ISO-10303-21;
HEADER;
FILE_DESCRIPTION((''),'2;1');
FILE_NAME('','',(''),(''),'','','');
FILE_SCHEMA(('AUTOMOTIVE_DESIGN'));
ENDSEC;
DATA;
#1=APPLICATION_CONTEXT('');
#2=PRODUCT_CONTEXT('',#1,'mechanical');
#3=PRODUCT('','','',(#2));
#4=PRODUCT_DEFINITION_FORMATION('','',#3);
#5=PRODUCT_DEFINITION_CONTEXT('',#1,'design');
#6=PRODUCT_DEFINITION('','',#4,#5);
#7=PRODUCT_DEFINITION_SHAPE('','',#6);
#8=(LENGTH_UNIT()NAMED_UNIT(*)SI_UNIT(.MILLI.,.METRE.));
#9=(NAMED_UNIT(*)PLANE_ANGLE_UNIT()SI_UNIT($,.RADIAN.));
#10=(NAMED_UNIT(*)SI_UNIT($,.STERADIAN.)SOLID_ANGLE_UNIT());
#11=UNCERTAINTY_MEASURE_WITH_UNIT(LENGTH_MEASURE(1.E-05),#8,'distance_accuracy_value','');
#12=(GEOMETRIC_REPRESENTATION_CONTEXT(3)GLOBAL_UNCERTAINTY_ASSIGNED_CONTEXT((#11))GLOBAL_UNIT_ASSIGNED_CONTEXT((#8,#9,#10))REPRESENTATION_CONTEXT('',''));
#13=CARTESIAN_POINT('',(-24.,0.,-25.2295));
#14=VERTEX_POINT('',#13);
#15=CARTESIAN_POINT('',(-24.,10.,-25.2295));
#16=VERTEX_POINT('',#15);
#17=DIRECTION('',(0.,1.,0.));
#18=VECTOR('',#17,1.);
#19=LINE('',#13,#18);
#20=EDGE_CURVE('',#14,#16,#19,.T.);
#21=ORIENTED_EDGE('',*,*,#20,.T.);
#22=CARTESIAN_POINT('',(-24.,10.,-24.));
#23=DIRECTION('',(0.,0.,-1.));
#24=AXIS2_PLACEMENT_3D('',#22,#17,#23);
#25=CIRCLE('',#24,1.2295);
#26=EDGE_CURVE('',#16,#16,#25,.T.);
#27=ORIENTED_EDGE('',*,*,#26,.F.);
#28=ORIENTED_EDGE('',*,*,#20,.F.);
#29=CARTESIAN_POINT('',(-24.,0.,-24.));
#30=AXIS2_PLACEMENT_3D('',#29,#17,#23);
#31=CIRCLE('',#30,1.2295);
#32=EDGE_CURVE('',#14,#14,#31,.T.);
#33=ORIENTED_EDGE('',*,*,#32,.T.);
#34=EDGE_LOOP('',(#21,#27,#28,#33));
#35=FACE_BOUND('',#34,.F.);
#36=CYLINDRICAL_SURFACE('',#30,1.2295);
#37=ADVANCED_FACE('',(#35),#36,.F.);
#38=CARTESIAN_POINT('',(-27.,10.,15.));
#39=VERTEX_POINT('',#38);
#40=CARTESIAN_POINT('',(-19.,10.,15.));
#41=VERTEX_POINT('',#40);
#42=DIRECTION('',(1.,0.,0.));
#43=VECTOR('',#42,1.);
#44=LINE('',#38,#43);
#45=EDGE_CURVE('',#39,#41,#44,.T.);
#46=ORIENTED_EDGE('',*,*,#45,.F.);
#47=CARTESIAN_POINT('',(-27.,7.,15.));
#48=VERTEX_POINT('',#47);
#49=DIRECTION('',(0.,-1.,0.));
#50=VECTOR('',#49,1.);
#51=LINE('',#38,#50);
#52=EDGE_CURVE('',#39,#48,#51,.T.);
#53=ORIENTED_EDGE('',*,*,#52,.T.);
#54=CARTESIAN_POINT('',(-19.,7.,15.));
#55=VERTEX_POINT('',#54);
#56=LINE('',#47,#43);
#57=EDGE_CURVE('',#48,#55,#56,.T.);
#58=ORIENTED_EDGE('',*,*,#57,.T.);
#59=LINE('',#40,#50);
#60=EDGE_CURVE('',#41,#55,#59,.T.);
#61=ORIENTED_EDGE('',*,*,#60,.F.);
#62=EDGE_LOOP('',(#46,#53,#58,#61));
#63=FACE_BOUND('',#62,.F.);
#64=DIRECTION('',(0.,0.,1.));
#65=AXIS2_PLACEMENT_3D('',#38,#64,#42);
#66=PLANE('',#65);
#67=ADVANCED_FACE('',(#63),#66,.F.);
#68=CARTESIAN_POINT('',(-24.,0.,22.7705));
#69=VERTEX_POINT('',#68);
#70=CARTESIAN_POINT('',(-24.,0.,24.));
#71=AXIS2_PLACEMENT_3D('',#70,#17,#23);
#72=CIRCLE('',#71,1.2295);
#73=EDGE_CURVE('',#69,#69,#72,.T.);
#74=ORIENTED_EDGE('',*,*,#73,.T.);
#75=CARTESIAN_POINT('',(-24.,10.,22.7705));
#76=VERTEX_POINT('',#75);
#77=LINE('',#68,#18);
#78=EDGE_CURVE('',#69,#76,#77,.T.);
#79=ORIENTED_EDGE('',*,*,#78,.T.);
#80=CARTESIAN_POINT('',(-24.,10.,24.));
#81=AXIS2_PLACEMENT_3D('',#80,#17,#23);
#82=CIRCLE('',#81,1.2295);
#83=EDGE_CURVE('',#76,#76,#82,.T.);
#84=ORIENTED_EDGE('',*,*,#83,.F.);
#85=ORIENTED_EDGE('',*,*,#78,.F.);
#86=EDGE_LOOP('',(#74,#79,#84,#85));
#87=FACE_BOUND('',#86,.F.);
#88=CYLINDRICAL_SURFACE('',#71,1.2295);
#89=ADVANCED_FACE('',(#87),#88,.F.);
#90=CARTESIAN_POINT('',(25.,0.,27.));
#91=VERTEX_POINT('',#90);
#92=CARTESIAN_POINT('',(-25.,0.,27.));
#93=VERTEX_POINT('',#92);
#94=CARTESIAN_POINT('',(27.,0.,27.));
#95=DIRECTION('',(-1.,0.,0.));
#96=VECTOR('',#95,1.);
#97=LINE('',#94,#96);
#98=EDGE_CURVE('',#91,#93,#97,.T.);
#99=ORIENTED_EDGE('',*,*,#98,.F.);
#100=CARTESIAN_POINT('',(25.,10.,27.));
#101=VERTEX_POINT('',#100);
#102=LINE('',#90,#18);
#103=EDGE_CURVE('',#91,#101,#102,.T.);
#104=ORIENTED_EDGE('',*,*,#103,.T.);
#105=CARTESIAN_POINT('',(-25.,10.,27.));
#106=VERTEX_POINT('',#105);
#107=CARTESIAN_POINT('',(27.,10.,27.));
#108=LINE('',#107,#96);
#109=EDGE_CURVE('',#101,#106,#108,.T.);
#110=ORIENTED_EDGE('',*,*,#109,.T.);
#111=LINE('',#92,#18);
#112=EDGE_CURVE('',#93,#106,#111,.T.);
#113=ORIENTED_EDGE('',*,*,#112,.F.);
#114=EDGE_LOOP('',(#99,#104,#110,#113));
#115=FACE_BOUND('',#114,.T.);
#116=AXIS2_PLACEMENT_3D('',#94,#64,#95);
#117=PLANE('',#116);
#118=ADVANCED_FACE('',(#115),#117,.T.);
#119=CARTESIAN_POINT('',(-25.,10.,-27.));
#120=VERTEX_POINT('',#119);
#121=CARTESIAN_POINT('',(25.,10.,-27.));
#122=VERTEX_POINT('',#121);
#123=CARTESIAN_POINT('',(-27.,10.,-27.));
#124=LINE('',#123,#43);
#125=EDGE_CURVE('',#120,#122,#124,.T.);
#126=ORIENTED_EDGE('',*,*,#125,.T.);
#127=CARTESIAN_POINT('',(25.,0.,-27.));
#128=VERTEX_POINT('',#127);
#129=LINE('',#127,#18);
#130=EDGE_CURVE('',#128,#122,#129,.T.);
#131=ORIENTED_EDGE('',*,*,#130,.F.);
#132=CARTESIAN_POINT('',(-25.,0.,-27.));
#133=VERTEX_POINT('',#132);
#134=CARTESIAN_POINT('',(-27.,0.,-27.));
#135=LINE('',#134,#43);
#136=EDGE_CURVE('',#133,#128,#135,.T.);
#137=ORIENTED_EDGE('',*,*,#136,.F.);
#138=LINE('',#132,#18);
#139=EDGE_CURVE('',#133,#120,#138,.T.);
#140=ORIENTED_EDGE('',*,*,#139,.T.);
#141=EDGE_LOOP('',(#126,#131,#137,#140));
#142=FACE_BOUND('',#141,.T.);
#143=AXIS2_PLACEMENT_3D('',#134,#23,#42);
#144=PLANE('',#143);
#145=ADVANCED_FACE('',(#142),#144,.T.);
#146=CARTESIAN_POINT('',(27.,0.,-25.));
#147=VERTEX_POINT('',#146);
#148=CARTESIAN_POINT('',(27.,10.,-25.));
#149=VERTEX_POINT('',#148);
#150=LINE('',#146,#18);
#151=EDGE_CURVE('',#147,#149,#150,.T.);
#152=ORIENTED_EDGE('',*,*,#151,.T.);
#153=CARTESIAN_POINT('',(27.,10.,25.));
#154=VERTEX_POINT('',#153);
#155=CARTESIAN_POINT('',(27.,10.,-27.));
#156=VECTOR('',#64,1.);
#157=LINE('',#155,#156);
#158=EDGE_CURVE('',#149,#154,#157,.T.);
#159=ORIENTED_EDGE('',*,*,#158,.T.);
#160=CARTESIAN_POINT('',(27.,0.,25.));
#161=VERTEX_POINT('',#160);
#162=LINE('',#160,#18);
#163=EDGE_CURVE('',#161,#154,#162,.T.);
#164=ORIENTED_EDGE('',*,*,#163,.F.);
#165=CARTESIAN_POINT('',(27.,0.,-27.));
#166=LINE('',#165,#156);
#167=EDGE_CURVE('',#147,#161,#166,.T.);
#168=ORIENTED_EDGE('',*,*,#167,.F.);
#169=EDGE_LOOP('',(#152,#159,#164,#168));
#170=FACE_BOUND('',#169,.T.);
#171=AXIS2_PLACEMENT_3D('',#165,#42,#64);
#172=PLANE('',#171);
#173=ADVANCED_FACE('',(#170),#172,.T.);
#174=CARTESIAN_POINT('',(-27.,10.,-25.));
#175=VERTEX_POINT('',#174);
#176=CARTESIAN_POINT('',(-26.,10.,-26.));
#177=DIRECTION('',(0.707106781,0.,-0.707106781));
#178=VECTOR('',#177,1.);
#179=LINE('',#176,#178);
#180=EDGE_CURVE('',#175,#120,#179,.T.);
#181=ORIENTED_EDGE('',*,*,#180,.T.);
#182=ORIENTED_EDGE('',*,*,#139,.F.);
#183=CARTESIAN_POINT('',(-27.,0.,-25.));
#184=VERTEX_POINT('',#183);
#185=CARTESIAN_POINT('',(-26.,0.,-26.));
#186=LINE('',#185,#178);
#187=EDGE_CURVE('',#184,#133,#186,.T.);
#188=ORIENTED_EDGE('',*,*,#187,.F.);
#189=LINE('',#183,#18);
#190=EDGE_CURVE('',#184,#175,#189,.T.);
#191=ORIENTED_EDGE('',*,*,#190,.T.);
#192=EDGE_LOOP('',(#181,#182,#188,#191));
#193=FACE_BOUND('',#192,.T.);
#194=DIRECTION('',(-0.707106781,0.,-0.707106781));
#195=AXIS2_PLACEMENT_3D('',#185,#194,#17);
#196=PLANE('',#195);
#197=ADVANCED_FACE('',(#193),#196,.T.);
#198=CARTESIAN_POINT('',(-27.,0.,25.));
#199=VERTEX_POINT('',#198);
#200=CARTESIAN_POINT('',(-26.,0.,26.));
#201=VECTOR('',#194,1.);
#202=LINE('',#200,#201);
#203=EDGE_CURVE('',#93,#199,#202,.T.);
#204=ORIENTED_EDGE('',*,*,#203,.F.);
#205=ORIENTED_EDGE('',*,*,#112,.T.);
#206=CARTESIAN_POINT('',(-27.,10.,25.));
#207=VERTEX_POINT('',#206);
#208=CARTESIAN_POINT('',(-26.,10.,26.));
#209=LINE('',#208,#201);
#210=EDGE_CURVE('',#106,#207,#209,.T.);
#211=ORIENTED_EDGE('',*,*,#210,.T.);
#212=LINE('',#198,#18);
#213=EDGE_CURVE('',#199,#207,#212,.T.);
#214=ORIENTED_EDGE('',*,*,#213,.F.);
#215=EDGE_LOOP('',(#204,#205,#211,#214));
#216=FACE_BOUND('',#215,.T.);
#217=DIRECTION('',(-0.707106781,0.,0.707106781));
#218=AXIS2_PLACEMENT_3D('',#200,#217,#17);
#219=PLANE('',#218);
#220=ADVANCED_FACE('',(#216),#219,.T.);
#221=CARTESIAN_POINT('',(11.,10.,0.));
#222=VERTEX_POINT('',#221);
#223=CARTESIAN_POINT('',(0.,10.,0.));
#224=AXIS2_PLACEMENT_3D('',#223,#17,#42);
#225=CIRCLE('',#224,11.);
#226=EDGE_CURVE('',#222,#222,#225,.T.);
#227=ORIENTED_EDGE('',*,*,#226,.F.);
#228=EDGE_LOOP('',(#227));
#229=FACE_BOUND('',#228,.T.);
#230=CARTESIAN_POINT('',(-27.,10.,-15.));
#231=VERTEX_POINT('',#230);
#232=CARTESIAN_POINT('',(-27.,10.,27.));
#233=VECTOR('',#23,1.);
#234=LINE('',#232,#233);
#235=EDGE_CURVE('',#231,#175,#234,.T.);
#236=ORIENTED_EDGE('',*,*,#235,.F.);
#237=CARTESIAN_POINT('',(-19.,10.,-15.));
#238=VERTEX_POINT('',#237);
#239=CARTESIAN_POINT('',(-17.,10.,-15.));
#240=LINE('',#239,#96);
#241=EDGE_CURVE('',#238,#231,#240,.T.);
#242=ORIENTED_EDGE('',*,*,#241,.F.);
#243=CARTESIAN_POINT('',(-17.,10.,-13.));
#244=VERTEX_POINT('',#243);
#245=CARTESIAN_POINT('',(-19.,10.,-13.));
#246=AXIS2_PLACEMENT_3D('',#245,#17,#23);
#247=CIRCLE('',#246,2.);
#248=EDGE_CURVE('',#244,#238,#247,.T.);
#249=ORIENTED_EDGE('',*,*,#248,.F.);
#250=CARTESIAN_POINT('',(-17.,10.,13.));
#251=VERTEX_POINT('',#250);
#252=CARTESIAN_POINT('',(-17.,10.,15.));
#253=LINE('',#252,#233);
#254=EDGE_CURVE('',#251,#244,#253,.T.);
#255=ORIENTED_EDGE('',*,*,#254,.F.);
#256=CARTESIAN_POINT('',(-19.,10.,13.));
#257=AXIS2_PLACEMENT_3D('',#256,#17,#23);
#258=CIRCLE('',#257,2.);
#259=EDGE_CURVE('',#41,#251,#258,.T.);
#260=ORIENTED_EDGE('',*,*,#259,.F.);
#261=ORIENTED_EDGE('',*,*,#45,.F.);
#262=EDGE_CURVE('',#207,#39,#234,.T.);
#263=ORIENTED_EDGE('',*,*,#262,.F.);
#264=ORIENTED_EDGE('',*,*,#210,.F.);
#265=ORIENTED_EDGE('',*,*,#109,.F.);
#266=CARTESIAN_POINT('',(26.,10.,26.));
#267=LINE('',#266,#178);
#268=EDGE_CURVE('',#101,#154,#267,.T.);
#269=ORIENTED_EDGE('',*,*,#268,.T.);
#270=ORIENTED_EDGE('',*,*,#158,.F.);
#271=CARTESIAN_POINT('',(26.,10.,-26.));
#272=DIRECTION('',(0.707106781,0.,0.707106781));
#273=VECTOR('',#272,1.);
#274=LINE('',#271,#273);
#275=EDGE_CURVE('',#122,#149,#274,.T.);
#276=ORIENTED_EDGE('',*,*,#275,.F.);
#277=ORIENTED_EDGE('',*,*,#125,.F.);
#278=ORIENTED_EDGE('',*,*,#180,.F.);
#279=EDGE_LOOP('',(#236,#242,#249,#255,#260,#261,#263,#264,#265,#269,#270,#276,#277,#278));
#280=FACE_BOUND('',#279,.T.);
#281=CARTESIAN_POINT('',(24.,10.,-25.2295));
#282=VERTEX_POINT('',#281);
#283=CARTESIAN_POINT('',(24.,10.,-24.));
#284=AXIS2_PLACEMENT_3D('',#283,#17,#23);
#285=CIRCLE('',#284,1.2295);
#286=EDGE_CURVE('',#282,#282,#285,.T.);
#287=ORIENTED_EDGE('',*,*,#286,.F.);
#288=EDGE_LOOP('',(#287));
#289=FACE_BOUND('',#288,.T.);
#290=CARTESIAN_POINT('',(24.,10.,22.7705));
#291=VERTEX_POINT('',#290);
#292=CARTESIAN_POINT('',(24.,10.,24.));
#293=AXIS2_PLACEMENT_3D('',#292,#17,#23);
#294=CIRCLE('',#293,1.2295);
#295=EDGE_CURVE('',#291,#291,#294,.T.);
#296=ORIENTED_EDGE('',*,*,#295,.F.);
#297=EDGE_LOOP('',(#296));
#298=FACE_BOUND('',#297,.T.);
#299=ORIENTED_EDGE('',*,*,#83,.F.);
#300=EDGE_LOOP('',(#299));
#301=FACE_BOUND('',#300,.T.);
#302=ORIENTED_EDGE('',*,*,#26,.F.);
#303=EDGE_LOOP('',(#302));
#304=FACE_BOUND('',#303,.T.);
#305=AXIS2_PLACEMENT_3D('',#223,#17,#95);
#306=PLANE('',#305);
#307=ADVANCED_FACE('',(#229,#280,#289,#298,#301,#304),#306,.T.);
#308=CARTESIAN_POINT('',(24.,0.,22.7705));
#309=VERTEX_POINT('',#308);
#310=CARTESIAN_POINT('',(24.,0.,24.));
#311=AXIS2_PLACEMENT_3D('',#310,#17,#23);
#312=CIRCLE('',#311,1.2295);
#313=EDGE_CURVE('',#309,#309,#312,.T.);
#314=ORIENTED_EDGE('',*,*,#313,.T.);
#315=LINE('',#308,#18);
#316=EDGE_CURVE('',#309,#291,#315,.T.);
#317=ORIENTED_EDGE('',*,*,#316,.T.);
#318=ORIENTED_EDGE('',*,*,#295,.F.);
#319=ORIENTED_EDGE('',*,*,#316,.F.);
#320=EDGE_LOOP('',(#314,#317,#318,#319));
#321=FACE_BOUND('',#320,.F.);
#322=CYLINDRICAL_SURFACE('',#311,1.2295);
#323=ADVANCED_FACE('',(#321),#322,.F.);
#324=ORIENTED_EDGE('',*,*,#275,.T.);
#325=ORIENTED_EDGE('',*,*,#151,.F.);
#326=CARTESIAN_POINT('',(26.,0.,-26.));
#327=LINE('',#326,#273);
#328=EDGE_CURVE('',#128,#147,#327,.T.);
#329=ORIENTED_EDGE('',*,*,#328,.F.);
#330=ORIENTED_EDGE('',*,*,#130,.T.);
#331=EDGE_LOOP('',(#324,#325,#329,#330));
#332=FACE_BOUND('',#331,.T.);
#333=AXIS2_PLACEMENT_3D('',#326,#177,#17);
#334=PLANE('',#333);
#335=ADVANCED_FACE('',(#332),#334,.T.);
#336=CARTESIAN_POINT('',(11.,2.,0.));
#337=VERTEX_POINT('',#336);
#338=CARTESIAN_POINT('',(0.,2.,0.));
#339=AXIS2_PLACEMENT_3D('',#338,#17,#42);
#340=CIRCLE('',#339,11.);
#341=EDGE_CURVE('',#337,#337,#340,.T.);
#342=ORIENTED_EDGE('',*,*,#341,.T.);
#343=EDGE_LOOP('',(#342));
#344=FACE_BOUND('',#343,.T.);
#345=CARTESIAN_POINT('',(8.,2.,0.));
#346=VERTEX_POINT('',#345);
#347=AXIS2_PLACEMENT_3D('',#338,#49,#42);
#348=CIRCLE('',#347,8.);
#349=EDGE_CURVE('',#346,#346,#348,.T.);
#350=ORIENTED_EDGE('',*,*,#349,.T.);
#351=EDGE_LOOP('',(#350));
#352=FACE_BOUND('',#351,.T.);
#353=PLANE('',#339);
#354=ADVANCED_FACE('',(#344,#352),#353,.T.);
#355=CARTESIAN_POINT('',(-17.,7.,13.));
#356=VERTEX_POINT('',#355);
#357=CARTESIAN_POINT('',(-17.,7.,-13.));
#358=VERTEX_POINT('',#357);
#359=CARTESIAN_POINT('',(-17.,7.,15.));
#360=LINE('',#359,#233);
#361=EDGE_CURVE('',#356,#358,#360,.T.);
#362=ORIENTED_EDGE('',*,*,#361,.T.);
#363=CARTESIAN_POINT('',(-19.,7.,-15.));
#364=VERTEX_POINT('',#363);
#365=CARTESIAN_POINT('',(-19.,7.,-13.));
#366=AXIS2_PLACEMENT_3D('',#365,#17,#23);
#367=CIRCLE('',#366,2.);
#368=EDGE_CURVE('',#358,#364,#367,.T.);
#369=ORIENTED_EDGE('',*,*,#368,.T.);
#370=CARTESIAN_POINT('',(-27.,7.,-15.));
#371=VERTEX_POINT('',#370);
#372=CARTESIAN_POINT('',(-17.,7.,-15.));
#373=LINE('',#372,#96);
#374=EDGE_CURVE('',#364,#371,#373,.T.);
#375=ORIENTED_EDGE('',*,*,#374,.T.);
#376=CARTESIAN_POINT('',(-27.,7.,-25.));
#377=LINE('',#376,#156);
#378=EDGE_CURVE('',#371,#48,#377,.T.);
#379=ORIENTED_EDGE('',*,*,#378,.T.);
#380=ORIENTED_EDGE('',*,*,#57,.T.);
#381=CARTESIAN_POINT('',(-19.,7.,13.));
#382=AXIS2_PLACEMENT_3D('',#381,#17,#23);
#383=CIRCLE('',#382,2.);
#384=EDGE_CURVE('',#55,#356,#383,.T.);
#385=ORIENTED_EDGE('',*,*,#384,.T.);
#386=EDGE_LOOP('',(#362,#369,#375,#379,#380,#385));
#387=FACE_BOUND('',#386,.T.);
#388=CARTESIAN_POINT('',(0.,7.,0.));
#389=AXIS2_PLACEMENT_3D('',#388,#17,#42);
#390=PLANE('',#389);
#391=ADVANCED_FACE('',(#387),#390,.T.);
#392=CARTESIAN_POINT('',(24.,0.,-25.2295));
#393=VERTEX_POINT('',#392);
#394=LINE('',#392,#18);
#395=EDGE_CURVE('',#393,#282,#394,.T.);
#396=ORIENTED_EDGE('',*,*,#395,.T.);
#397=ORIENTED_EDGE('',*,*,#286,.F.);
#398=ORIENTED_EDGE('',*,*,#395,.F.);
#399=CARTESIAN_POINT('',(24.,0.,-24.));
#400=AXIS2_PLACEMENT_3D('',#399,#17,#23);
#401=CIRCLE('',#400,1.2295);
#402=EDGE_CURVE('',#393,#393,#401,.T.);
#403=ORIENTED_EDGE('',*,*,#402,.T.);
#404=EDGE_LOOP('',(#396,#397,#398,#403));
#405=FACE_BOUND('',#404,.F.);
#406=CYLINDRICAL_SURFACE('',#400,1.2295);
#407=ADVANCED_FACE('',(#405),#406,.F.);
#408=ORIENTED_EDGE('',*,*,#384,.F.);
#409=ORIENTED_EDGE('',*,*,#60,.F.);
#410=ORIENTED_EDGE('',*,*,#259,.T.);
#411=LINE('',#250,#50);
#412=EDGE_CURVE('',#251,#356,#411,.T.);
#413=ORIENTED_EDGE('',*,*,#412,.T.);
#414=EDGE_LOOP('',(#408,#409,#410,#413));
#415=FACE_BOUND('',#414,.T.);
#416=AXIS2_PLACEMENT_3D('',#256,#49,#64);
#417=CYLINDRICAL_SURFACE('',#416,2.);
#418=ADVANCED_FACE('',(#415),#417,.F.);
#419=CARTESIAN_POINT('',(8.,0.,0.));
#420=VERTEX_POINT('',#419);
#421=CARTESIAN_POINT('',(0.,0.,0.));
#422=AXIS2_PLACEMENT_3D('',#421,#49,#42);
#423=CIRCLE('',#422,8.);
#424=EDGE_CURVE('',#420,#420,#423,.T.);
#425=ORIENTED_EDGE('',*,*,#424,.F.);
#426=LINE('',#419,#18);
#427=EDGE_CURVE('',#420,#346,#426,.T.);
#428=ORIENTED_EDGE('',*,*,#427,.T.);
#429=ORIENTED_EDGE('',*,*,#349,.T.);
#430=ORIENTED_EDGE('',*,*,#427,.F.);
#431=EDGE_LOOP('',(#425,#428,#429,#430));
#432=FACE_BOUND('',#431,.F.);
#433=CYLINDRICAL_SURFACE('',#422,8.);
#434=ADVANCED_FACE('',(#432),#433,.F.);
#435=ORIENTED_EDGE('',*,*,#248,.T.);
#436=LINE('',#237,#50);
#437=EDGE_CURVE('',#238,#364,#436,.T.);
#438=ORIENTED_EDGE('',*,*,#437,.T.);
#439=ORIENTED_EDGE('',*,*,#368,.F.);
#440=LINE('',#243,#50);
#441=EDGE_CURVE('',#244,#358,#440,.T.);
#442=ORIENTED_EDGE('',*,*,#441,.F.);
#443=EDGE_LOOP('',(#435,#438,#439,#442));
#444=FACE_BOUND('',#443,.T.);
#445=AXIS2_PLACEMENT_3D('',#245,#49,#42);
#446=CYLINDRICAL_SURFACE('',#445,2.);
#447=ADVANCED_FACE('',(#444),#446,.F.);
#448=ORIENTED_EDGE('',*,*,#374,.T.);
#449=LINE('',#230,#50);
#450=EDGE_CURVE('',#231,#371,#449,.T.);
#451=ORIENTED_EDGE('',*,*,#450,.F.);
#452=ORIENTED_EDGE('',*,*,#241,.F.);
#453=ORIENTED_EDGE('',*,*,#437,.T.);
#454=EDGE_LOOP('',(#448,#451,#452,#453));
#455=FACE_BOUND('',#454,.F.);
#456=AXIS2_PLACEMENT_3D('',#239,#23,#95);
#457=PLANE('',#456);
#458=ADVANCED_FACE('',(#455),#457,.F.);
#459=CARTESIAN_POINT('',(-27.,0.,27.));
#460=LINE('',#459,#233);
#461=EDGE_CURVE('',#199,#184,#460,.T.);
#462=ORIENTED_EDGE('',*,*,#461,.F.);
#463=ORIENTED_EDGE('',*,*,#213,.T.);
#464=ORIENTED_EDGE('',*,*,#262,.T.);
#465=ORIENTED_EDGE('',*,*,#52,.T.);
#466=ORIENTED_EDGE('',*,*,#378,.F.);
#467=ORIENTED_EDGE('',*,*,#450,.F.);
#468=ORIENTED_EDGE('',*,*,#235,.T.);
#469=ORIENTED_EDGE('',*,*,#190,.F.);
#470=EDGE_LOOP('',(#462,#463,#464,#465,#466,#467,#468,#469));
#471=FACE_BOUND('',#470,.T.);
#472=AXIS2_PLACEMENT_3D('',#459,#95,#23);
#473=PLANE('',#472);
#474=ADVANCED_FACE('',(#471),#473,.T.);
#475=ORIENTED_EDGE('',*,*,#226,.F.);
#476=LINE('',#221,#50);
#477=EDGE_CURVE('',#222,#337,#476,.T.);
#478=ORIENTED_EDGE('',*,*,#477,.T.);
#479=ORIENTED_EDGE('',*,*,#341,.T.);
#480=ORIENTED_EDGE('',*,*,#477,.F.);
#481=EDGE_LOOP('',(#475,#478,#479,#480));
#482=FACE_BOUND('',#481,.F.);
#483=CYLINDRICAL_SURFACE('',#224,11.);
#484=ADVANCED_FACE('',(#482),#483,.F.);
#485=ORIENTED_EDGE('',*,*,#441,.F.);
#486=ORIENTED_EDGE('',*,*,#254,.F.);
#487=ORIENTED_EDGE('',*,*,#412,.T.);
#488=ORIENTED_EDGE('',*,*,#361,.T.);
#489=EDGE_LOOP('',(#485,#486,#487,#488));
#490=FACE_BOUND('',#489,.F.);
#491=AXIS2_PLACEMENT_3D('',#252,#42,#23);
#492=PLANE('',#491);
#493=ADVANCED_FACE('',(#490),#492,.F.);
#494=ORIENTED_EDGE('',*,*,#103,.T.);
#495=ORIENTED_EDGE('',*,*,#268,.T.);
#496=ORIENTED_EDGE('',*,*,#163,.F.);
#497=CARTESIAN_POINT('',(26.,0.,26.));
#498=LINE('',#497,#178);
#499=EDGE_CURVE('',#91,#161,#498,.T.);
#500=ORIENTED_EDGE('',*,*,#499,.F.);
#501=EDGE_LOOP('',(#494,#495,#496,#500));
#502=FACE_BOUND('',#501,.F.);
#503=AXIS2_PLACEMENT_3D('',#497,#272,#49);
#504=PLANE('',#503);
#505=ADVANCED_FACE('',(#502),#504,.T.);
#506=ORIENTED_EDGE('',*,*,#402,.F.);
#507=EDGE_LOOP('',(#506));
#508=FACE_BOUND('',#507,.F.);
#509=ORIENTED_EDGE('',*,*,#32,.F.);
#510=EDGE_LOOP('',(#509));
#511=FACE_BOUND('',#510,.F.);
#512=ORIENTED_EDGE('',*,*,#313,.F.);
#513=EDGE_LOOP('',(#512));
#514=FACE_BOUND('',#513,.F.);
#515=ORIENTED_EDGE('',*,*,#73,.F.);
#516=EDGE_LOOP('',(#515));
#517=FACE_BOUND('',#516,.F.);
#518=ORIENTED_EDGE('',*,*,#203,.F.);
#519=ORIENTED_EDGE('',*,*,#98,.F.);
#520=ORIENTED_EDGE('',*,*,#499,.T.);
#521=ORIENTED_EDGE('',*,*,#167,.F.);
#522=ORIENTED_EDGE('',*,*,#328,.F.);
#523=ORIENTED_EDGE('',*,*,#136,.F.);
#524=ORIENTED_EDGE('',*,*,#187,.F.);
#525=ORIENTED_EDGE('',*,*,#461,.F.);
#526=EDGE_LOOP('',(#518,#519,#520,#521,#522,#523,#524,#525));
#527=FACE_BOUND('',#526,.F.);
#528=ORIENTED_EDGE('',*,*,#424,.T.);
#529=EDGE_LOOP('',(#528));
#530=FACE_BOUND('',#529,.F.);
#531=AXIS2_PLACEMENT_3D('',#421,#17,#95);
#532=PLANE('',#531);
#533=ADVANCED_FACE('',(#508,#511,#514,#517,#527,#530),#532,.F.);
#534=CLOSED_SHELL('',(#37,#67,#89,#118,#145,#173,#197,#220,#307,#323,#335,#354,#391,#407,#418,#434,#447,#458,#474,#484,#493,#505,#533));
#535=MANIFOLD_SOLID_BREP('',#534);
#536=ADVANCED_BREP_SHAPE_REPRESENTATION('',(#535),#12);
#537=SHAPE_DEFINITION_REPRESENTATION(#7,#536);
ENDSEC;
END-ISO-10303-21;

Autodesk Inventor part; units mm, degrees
ref_plane "YZ Plane" through (0, 0, 0) normal (1, 0, 0) x (0, 1, 0)
ref_plane "XZ Plane" through (0, 0, 0) normal (0, 1, 0) x (-1, 0, 0)
ref_plane "XY Plane" through (0, 0, 0) normal (0, 0, 1) x (1, 0, 0)
sketch "Skizze1" plane through (0, 0, 0) normal (0, 1, 0) x (-1, 0, 0)
  line L0 (-27, 27) -> (27, 27)
  line L1 (27, 27) -> (27, -27)
  line L2 (27, -27) -> (-27, -27)
  line L3 (-27, -27) -> (-27, 27)
  line L4 (-27, 27) -> (27, -27) construction
  line L5 (27, 27) -> (-27, -27) construction
  point P0 (0, 0)
  dimension "d0" = 54
  dimension "d1" = 54
extrude "Extrusion1" add sketch "Skizze1" along normal blind 10
chamfer "Fase1" distance 2 angle 45 4 edges at (27, 5, 27) (27, 5, -27) (-27, 5, 27) (-27, 5, -27)
sketch "Skizze2" plane through (0, 10, 0) normal (0, 1, 0) x (1, 0, 0)
  circle A0 centre (0, 0) radius 11
  dimension "d7" = 22
extrude "Extrusion2" cut sketch "Skizze2" against normal blind 8
sketch "Skizze5" plane through (0, 0, 0) normal (0, -1, 0) x (1, 0, 0)
  line L0 (-24, -24) -> (24, -24)
  line L1 (24, -24) -> (24, 24)
  line L2 (24, 24) -> (-24, 24)
  line L3 (-24, 24) -> (-24, -24)
  line L4 (-24, -24) -> (24, 24) construction
  line L5 (24, -24) -> (-24, 24) construction
  point P0 (0, 0)
  dimension "d22" = 48
  dimension "d23" = 48
hole "Bohrung2" at (-24, 0, -24) at (-24, 0, 24) at (24, 0, 24) at (24, 0, -24) direction (0, 1, 0) diameter 2.459 end through all
sketch "Skizze6" plane through (0, 0, 0) normal (0, -1, 0) x (1, 0, 0)
  circle A0 centre (0, 0) radius 8
  dimension "d31" = 16
extrude "Extrusion4" cut sketch "Skizze6" against normal through all
sketch "Skizze7" plane through (0, 10, 0) normal (0, 1, 0) x (1, 0, 0)
  circle A0 centre (24, -24) radius 1.2295
  circle A1 centre (-24, 24) radius 1.2295
  circle A2 centre (-24, -24) radius 1.2295
  circle A3 centre (24, 24) radius 1.2295
  circle A4 centre (0, 0) radius 11
  line L0 (-27, 25) -> (-25, 27)
  line L1 (-27, 25) -> (-27, -25)
  line L2 (-25, -27) -> (-27, -25)
  line L3 (-25, -27) -> (25, -27)
  line L4 (27, -25) -> (25, -27)
  line L5 (27, -25) -> (27, 25)
  line L6 (25, 27) -> (27, 25)
  line L7 (25, 27) -> (-25, 27)
  line L8 (-27, -15) -> (-17, -15)
  line L9 (-17, -15) -> (-17, 15)
  line L10 (-17, 15) -> (-27, 15)
  line L11 (-27, 15) -> (-27, -15)
  dimension "d36" = 30
  dimension "d37" = 15
  dimension "d38" = 10
extrude "Extrusion5" cut sketch "Skizze7" against normal blind 3 contours L10 L9 L8 L1
fillet "Rundung1" radius 2 2 edges at (-17, 8.5, 15) (-17, 8.5, -15)
equation "\"d37\" = 0.5 * d36"
properties part number "bearing_mount_part_2"
